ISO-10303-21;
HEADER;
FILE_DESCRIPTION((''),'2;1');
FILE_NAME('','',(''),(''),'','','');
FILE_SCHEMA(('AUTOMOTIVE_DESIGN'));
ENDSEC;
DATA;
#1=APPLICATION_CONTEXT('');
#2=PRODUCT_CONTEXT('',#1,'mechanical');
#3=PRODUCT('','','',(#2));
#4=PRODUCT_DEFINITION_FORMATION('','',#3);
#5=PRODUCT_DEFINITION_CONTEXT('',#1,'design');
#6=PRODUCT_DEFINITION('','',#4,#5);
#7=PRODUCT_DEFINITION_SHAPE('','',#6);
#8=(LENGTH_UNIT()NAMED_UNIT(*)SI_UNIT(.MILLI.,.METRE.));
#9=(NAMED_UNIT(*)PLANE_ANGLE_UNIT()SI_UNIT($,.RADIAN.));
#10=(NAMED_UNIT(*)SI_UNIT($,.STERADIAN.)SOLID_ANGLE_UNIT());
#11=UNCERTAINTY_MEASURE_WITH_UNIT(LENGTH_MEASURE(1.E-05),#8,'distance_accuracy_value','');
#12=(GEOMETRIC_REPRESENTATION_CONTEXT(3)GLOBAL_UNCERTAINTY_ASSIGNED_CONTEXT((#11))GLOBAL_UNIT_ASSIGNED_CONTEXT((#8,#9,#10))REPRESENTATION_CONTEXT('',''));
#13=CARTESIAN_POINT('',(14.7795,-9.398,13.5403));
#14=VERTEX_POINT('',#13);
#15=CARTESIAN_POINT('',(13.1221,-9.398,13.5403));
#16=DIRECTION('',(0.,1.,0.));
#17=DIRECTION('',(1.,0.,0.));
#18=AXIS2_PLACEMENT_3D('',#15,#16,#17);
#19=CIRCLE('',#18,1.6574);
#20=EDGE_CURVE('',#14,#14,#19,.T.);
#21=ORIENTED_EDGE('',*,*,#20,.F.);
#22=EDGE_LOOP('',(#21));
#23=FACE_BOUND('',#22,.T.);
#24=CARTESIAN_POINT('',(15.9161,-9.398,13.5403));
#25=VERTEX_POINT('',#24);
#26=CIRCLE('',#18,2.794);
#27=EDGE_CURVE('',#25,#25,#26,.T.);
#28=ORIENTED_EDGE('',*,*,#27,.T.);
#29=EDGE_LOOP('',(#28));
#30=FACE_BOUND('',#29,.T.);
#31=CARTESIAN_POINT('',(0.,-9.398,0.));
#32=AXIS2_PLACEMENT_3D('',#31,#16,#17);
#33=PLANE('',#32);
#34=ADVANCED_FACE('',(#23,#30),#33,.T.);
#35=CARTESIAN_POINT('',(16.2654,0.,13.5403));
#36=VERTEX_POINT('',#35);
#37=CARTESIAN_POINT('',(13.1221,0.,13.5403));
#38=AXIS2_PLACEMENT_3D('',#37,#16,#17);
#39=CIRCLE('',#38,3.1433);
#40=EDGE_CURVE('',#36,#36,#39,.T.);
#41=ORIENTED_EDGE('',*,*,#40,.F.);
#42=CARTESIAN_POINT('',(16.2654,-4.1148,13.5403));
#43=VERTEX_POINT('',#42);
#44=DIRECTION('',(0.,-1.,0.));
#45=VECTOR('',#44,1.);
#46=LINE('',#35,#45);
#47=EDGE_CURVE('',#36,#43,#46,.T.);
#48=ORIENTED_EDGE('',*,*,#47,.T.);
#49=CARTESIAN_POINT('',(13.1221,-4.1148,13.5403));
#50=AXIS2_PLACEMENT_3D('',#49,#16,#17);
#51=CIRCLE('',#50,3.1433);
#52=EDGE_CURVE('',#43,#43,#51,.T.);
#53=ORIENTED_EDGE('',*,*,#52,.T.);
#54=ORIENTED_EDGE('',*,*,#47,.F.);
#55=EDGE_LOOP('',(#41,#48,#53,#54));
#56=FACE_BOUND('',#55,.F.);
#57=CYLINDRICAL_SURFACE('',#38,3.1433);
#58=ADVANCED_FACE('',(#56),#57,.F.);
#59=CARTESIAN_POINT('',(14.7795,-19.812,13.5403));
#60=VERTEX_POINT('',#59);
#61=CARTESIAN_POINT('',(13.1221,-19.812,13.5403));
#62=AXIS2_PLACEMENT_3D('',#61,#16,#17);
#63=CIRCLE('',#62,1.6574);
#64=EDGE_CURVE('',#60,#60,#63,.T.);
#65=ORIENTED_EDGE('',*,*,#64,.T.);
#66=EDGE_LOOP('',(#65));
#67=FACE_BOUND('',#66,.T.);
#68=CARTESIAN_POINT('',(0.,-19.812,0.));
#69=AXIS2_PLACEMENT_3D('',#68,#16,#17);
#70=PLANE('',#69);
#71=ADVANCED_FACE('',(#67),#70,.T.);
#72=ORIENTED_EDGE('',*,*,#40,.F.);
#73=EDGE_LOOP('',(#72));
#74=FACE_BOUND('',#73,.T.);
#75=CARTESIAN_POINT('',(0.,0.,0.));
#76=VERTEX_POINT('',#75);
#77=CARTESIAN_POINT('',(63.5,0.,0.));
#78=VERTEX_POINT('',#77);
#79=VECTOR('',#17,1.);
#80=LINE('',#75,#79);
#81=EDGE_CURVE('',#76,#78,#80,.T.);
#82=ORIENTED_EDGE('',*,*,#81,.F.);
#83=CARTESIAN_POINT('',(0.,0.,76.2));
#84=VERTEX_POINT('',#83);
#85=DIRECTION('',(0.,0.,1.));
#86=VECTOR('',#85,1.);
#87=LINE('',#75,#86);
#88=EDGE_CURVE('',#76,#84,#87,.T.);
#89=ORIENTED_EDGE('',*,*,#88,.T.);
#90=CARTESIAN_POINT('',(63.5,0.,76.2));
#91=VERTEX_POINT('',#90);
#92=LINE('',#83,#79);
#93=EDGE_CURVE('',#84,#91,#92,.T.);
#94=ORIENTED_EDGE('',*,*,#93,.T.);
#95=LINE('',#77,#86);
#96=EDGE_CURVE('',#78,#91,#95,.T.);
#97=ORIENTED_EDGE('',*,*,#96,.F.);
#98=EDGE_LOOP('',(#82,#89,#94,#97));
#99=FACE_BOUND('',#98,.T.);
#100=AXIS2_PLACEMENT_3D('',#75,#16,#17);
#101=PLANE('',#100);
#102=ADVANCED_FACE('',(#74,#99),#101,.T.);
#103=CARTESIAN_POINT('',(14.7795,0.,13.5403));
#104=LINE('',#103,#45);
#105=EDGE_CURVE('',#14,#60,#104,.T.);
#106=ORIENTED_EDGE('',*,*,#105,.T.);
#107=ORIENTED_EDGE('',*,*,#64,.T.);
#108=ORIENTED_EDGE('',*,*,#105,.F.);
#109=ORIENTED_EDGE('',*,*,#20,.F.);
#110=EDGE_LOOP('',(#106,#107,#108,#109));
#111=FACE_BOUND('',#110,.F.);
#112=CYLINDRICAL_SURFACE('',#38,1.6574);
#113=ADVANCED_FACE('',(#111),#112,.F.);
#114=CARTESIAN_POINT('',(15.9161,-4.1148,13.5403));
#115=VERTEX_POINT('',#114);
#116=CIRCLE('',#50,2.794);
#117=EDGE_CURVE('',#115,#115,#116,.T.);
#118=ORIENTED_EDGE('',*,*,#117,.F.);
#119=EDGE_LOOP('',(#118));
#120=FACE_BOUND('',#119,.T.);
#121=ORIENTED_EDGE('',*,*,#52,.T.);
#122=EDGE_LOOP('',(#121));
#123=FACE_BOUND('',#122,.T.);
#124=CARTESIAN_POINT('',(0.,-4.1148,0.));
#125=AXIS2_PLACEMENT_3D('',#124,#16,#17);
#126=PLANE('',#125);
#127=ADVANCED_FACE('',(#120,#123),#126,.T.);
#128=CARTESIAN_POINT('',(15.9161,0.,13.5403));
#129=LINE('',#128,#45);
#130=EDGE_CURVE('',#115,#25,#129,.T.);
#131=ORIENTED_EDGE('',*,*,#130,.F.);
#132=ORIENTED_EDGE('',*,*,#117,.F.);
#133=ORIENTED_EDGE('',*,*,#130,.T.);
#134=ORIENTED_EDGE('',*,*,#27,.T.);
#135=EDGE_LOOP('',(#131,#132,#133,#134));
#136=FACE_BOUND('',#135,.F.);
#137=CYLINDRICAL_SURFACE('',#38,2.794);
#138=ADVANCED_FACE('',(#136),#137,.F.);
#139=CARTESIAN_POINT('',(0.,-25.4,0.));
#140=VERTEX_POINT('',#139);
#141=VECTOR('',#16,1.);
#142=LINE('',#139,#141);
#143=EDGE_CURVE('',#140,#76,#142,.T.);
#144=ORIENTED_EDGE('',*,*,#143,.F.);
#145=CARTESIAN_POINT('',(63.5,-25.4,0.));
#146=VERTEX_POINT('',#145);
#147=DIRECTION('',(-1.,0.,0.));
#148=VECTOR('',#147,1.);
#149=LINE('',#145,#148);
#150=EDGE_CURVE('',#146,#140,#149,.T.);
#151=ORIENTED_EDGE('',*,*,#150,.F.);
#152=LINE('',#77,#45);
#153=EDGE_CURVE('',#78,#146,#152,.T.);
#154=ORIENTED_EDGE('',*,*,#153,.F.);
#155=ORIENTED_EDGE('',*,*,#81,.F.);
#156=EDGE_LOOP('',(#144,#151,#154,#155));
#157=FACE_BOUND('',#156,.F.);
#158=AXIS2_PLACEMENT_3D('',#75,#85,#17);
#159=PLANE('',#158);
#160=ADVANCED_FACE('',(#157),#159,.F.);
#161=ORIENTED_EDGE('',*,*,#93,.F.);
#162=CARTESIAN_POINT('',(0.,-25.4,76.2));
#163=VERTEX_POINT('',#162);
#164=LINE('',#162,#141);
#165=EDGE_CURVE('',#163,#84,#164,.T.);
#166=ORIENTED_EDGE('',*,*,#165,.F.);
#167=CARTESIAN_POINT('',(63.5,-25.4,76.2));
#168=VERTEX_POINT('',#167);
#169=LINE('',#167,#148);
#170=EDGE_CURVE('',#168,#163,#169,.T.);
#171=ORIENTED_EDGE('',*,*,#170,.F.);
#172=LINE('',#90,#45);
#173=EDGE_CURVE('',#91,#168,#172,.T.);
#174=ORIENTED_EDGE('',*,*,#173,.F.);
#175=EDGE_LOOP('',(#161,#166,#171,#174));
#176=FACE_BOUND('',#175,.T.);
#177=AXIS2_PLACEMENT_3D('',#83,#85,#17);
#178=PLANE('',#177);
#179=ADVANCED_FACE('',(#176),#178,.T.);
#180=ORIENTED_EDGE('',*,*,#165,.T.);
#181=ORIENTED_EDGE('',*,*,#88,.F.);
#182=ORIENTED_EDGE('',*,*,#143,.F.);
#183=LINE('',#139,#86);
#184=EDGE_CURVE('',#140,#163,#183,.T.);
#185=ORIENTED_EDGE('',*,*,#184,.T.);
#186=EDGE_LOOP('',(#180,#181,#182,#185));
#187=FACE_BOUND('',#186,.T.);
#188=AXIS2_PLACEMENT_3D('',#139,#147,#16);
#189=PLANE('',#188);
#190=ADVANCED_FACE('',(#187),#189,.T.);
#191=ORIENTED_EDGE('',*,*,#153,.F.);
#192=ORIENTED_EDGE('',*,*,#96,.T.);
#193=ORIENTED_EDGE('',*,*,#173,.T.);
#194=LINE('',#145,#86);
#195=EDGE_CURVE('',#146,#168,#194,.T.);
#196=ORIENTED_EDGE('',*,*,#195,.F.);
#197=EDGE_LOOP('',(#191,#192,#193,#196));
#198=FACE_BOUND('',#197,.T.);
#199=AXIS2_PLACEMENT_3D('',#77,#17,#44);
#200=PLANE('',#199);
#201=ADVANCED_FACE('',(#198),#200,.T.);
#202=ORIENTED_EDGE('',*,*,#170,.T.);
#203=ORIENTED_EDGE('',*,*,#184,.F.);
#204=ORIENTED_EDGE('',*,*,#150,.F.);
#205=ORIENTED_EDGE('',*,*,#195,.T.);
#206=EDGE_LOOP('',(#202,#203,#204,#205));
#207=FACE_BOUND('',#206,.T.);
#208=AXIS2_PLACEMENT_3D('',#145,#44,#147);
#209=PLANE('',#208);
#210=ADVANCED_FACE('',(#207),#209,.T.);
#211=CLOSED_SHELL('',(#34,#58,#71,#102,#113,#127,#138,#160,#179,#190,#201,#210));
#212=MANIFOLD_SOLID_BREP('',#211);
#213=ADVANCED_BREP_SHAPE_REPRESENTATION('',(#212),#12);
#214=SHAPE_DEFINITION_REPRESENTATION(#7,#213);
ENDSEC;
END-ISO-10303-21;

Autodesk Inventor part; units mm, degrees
ref_plane "YZ Plane" through (0, 0, 0) normal (1, 0, 0) x (0, 1, 0)
ref_plane "XZ Plane" through (0, 0, 0) normal (0, 1, 0) x (-1, 0, 0)
ref_plane "XY Plane" through (0, 0, 0) normal (0, 0, 1) x (1, 0, 0)
sketch "Sketch1" plane through (0, 0, 0) normal (0, 0, 1) x (1, 0, 0)
  line L0 (0, 0) -> (63.5, 0)
  line L1 (63.5, 0) -> (63.5, -25.4)
  line L2 (63.5, -25.4) -> (0, -25.4)
  line L3 (0, -25.4) -> (0, 0)
  dimension "d0" = 63.5
  dimension "d1" = 25.4
extrude "Extrusion1" add sketch "Sketch1" along normal blind 76.2
sketch "Sketch2" plane through (0, 0, 0) normal (0, 1, 0) x (1, 0, 0)
  circle A0 centre (13.1221, -13.5403) radius 1.6574
  circle A1 centre (13.1221, -13.5403) radius 3.1433
  circle A2 centre (13.1221, -13.5403) radius 2.794
  point P0 (0, 0)
  point P1 (22.0121, -13.5403)
  point P2 (35.874, -13.5403)
  point P3 (13.1221, -22.4303)
  point P4 (22.0121, -22.4303)
  point P5 (13.1221, -22.4303)
  dimension "d4" = 3.3147
  dimension "d5" = 6.2865
  dimension "d6" = 5.588
  dimension "d22" = 8.89
  dimension "d23" = 8.89
  dimension "d24" = 8.89
extrude "Extrusion2" cut sketch "Sketch2" against normal blind 19.812 contours A0
extrude "Extrusion3" cut sketch "Sketch2" against normal blind 9.398 contours A2
extrude "Extrusion4" cut sketch "Sketch2" against normal blind 4.1148 contours A1
fillet "Fillet1" [suppressed]
loft "Loft1" [suppressed]
properties part number "Thermocyler_Block_Test"
